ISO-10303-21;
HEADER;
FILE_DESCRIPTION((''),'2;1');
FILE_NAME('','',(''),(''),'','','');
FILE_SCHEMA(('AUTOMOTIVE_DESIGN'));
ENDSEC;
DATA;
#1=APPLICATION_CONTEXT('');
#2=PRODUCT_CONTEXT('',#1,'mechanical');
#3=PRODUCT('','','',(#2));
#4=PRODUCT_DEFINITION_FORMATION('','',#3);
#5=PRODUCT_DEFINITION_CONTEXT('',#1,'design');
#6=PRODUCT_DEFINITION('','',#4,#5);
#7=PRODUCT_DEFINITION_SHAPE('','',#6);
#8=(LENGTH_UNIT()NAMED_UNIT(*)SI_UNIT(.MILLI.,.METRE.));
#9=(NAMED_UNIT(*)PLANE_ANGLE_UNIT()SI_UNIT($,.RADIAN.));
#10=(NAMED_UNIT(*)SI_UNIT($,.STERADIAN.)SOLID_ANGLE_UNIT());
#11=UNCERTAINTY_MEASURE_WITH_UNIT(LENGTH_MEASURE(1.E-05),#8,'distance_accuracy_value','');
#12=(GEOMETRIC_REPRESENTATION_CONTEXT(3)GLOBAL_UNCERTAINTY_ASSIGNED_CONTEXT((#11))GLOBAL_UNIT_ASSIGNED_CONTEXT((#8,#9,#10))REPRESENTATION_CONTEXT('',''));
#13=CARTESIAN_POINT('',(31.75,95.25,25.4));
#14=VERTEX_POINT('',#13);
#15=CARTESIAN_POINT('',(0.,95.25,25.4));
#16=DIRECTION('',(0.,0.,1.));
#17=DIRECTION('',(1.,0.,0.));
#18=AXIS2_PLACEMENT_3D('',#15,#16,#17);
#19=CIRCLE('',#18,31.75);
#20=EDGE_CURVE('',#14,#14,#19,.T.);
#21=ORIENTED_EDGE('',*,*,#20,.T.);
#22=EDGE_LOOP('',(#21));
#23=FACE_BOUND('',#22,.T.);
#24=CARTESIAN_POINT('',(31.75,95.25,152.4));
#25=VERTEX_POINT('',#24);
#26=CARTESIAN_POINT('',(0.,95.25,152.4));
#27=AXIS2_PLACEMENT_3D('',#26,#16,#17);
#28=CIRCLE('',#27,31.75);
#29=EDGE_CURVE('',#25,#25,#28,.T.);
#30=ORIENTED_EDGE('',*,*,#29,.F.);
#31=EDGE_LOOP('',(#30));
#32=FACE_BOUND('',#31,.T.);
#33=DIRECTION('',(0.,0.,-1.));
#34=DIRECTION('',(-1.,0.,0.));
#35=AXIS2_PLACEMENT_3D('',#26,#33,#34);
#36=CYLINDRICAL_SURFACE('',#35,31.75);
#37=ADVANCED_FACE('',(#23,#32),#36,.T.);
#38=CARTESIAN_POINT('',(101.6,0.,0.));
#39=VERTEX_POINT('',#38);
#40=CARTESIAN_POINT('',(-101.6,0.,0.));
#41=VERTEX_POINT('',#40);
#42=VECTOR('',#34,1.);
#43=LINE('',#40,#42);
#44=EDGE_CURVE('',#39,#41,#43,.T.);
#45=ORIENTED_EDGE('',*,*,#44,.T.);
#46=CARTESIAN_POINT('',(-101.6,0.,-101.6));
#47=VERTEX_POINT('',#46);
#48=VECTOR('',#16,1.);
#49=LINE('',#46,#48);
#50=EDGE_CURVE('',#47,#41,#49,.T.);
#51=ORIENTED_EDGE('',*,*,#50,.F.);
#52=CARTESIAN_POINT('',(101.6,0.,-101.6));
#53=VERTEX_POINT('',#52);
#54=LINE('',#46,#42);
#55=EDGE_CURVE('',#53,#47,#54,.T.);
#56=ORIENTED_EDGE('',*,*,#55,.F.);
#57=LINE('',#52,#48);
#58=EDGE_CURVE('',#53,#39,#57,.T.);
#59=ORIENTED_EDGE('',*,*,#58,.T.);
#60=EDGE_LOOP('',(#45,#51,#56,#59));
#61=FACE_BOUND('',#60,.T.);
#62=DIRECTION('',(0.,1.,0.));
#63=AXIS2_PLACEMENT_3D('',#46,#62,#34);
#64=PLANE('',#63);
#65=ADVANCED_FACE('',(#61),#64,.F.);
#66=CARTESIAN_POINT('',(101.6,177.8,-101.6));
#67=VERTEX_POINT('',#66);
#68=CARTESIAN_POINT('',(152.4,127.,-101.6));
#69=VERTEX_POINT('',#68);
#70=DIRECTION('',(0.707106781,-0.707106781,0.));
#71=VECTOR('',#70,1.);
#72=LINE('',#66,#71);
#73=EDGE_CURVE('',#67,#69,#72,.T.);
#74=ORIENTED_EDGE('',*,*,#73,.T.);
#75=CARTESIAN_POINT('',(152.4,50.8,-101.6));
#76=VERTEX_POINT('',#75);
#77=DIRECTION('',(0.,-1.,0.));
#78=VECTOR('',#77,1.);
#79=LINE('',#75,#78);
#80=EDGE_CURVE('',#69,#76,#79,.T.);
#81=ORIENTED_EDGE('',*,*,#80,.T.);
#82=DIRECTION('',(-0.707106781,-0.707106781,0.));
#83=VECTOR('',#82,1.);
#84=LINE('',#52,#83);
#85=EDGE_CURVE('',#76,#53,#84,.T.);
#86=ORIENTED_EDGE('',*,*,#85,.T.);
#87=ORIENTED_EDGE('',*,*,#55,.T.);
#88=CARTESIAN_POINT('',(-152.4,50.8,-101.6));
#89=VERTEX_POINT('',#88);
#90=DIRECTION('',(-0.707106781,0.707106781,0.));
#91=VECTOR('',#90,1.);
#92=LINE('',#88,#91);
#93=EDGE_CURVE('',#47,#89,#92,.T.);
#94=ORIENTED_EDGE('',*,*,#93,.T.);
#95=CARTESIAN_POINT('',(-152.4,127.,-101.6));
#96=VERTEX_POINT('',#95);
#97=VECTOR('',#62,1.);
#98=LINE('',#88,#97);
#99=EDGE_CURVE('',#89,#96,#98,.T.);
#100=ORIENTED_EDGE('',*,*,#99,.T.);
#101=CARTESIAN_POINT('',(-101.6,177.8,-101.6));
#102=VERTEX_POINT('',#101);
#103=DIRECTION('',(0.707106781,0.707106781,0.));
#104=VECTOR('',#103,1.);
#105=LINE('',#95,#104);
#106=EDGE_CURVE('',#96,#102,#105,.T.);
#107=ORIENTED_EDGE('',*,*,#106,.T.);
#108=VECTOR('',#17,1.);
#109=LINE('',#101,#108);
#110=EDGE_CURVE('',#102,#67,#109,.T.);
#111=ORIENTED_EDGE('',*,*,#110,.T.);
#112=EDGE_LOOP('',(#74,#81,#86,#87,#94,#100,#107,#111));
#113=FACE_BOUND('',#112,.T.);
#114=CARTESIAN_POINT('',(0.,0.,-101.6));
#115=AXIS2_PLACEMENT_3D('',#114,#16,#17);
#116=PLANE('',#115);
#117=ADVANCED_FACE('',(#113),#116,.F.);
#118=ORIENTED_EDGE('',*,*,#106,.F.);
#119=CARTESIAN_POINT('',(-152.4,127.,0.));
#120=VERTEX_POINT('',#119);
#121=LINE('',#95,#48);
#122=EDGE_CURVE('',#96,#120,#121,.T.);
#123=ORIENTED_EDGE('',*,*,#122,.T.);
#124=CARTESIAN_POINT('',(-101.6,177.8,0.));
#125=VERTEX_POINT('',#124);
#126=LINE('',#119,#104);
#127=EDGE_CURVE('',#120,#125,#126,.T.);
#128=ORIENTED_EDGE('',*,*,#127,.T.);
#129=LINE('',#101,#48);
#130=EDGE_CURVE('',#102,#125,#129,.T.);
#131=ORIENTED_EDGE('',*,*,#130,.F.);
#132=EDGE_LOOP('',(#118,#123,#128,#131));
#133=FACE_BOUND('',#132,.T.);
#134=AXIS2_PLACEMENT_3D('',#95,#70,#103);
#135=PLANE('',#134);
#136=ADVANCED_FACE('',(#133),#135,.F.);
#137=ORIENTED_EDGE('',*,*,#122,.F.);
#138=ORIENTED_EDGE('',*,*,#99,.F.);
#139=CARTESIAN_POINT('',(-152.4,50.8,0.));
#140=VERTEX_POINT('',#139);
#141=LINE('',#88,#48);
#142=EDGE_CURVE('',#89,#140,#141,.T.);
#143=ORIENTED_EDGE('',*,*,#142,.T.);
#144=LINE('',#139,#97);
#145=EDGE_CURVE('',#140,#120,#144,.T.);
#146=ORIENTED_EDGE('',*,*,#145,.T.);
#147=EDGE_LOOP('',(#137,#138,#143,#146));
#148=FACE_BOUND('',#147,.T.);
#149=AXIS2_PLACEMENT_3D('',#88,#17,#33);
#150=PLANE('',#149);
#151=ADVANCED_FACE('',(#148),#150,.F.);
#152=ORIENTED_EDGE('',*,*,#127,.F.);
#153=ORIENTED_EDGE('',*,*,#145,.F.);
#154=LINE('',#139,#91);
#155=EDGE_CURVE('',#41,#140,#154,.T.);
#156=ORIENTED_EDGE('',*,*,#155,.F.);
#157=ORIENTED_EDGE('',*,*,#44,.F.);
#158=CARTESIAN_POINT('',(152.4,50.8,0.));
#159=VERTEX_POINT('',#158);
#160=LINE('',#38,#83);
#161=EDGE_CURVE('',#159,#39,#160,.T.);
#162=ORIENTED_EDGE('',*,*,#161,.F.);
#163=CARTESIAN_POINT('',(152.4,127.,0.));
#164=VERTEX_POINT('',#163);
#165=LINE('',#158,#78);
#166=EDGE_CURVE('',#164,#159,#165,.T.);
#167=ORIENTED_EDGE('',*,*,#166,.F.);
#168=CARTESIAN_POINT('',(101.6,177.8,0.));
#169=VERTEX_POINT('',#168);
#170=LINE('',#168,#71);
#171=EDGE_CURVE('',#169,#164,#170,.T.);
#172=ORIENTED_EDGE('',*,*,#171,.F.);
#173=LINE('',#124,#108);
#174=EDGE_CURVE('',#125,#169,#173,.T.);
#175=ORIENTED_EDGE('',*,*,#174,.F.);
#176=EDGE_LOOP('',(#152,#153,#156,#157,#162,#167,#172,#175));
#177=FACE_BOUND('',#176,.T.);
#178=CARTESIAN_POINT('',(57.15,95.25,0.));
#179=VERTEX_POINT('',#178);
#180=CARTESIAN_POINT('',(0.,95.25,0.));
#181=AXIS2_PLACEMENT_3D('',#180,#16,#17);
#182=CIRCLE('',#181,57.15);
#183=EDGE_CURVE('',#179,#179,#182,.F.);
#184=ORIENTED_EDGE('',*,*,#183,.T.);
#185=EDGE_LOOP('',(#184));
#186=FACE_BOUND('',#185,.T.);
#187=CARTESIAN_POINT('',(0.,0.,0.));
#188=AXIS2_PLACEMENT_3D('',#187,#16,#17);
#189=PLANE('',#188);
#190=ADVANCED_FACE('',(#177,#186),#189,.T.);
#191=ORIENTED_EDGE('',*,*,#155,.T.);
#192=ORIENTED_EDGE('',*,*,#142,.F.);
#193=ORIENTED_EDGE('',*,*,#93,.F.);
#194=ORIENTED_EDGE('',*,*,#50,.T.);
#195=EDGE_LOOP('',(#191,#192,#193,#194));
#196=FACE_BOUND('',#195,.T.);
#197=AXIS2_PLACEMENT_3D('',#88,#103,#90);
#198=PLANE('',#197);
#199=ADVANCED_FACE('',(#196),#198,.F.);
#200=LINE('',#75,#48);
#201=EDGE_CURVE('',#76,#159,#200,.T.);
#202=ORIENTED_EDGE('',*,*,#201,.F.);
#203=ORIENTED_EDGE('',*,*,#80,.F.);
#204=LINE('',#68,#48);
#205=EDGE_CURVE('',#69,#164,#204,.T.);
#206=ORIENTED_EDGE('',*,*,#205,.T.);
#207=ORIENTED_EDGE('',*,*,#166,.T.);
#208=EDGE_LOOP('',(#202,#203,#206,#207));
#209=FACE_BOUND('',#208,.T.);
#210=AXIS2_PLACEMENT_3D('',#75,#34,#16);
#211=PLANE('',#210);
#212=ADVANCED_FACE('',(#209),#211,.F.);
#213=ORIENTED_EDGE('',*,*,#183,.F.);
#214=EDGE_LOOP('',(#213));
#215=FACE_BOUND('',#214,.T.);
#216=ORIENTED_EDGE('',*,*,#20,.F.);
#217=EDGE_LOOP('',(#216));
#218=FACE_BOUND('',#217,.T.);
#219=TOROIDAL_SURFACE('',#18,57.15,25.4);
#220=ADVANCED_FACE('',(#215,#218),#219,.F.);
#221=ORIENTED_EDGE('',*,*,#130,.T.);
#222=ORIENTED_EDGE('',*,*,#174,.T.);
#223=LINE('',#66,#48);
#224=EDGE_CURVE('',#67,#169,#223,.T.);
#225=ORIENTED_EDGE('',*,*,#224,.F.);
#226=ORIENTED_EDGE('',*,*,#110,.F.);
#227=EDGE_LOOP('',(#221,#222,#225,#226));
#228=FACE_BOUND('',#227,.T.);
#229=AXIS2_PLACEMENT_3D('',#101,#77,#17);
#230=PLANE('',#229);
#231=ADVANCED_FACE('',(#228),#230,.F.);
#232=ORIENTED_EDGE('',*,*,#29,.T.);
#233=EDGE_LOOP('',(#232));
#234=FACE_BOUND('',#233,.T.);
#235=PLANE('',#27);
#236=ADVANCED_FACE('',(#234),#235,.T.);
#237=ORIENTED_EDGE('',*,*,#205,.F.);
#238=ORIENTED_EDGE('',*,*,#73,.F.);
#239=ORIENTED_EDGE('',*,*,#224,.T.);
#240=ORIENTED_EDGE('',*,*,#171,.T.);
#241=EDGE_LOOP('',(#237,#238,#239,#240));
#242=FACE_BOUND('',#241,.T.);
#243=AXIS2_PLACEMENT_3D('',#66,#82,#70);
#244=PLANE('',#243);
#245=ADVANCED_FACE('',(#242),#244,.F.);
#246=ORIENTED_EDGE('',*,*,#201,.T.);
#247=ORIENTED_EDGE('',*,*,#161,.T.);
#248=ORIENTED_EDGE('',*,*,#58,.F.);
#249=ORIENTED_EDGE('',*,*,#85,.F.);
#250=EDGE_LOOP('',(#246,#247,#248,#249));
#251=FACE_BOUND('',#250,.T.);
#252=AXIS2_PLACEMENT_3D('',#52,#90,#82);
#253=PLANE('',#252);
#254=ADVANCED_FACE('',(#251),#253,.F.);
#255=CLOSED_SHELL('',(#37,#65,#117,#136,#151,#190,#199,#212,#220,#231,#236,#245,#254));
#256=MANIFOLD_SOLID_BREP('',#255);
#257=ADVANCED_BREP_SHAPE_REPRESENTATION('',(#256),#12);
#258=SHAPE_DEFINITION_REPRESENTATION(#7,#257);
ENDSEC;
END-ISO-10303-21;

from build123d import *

# Parameters (mm, degrees)
SKETCH1_R           = 31.75
BOSS_EXTRUDE1_DEPTH = 152.4
BOSS_EXTRUDE2_DEPTH = 101.6
FILLET1_R           = 25.4


with BuildPart() as part:
    # Sketch1 → Boss-Extrude1 (new body)
    with BuildSketch(Plane.XY):
        with Locations((0, 95.25)):
            Circle(SKETCH1_R)
    extrude(amount=BOSS_EXTRUDE1_DEPTH)

    # Sketch2 → Boss-Extrude2 (add)
    with BuildSketch(Plane(origin=(0, 0, 0), x_dir=(-1, 0, 0), z_dir=(0, 0, -1))):
        Polygon((-101.6, 177.8), (-152.4, 127), (-152.4, 50.8), (-101.6, 0), (101.6, 0), (152.4, 50.8), (152.4, 127), (101.6, 177.8), align=None)
    extrude(amount=BOSS_EXTRUDE2_DEPTH)

    # Fillet1
    fillet1_edges = [part.edges().sort_by_distance(p)[0] for p in [
        (-31.75, 95.25, 0),
    ]]
    fillet(fillet1_edges, radius=FILLET1_R)


solid = part.part
